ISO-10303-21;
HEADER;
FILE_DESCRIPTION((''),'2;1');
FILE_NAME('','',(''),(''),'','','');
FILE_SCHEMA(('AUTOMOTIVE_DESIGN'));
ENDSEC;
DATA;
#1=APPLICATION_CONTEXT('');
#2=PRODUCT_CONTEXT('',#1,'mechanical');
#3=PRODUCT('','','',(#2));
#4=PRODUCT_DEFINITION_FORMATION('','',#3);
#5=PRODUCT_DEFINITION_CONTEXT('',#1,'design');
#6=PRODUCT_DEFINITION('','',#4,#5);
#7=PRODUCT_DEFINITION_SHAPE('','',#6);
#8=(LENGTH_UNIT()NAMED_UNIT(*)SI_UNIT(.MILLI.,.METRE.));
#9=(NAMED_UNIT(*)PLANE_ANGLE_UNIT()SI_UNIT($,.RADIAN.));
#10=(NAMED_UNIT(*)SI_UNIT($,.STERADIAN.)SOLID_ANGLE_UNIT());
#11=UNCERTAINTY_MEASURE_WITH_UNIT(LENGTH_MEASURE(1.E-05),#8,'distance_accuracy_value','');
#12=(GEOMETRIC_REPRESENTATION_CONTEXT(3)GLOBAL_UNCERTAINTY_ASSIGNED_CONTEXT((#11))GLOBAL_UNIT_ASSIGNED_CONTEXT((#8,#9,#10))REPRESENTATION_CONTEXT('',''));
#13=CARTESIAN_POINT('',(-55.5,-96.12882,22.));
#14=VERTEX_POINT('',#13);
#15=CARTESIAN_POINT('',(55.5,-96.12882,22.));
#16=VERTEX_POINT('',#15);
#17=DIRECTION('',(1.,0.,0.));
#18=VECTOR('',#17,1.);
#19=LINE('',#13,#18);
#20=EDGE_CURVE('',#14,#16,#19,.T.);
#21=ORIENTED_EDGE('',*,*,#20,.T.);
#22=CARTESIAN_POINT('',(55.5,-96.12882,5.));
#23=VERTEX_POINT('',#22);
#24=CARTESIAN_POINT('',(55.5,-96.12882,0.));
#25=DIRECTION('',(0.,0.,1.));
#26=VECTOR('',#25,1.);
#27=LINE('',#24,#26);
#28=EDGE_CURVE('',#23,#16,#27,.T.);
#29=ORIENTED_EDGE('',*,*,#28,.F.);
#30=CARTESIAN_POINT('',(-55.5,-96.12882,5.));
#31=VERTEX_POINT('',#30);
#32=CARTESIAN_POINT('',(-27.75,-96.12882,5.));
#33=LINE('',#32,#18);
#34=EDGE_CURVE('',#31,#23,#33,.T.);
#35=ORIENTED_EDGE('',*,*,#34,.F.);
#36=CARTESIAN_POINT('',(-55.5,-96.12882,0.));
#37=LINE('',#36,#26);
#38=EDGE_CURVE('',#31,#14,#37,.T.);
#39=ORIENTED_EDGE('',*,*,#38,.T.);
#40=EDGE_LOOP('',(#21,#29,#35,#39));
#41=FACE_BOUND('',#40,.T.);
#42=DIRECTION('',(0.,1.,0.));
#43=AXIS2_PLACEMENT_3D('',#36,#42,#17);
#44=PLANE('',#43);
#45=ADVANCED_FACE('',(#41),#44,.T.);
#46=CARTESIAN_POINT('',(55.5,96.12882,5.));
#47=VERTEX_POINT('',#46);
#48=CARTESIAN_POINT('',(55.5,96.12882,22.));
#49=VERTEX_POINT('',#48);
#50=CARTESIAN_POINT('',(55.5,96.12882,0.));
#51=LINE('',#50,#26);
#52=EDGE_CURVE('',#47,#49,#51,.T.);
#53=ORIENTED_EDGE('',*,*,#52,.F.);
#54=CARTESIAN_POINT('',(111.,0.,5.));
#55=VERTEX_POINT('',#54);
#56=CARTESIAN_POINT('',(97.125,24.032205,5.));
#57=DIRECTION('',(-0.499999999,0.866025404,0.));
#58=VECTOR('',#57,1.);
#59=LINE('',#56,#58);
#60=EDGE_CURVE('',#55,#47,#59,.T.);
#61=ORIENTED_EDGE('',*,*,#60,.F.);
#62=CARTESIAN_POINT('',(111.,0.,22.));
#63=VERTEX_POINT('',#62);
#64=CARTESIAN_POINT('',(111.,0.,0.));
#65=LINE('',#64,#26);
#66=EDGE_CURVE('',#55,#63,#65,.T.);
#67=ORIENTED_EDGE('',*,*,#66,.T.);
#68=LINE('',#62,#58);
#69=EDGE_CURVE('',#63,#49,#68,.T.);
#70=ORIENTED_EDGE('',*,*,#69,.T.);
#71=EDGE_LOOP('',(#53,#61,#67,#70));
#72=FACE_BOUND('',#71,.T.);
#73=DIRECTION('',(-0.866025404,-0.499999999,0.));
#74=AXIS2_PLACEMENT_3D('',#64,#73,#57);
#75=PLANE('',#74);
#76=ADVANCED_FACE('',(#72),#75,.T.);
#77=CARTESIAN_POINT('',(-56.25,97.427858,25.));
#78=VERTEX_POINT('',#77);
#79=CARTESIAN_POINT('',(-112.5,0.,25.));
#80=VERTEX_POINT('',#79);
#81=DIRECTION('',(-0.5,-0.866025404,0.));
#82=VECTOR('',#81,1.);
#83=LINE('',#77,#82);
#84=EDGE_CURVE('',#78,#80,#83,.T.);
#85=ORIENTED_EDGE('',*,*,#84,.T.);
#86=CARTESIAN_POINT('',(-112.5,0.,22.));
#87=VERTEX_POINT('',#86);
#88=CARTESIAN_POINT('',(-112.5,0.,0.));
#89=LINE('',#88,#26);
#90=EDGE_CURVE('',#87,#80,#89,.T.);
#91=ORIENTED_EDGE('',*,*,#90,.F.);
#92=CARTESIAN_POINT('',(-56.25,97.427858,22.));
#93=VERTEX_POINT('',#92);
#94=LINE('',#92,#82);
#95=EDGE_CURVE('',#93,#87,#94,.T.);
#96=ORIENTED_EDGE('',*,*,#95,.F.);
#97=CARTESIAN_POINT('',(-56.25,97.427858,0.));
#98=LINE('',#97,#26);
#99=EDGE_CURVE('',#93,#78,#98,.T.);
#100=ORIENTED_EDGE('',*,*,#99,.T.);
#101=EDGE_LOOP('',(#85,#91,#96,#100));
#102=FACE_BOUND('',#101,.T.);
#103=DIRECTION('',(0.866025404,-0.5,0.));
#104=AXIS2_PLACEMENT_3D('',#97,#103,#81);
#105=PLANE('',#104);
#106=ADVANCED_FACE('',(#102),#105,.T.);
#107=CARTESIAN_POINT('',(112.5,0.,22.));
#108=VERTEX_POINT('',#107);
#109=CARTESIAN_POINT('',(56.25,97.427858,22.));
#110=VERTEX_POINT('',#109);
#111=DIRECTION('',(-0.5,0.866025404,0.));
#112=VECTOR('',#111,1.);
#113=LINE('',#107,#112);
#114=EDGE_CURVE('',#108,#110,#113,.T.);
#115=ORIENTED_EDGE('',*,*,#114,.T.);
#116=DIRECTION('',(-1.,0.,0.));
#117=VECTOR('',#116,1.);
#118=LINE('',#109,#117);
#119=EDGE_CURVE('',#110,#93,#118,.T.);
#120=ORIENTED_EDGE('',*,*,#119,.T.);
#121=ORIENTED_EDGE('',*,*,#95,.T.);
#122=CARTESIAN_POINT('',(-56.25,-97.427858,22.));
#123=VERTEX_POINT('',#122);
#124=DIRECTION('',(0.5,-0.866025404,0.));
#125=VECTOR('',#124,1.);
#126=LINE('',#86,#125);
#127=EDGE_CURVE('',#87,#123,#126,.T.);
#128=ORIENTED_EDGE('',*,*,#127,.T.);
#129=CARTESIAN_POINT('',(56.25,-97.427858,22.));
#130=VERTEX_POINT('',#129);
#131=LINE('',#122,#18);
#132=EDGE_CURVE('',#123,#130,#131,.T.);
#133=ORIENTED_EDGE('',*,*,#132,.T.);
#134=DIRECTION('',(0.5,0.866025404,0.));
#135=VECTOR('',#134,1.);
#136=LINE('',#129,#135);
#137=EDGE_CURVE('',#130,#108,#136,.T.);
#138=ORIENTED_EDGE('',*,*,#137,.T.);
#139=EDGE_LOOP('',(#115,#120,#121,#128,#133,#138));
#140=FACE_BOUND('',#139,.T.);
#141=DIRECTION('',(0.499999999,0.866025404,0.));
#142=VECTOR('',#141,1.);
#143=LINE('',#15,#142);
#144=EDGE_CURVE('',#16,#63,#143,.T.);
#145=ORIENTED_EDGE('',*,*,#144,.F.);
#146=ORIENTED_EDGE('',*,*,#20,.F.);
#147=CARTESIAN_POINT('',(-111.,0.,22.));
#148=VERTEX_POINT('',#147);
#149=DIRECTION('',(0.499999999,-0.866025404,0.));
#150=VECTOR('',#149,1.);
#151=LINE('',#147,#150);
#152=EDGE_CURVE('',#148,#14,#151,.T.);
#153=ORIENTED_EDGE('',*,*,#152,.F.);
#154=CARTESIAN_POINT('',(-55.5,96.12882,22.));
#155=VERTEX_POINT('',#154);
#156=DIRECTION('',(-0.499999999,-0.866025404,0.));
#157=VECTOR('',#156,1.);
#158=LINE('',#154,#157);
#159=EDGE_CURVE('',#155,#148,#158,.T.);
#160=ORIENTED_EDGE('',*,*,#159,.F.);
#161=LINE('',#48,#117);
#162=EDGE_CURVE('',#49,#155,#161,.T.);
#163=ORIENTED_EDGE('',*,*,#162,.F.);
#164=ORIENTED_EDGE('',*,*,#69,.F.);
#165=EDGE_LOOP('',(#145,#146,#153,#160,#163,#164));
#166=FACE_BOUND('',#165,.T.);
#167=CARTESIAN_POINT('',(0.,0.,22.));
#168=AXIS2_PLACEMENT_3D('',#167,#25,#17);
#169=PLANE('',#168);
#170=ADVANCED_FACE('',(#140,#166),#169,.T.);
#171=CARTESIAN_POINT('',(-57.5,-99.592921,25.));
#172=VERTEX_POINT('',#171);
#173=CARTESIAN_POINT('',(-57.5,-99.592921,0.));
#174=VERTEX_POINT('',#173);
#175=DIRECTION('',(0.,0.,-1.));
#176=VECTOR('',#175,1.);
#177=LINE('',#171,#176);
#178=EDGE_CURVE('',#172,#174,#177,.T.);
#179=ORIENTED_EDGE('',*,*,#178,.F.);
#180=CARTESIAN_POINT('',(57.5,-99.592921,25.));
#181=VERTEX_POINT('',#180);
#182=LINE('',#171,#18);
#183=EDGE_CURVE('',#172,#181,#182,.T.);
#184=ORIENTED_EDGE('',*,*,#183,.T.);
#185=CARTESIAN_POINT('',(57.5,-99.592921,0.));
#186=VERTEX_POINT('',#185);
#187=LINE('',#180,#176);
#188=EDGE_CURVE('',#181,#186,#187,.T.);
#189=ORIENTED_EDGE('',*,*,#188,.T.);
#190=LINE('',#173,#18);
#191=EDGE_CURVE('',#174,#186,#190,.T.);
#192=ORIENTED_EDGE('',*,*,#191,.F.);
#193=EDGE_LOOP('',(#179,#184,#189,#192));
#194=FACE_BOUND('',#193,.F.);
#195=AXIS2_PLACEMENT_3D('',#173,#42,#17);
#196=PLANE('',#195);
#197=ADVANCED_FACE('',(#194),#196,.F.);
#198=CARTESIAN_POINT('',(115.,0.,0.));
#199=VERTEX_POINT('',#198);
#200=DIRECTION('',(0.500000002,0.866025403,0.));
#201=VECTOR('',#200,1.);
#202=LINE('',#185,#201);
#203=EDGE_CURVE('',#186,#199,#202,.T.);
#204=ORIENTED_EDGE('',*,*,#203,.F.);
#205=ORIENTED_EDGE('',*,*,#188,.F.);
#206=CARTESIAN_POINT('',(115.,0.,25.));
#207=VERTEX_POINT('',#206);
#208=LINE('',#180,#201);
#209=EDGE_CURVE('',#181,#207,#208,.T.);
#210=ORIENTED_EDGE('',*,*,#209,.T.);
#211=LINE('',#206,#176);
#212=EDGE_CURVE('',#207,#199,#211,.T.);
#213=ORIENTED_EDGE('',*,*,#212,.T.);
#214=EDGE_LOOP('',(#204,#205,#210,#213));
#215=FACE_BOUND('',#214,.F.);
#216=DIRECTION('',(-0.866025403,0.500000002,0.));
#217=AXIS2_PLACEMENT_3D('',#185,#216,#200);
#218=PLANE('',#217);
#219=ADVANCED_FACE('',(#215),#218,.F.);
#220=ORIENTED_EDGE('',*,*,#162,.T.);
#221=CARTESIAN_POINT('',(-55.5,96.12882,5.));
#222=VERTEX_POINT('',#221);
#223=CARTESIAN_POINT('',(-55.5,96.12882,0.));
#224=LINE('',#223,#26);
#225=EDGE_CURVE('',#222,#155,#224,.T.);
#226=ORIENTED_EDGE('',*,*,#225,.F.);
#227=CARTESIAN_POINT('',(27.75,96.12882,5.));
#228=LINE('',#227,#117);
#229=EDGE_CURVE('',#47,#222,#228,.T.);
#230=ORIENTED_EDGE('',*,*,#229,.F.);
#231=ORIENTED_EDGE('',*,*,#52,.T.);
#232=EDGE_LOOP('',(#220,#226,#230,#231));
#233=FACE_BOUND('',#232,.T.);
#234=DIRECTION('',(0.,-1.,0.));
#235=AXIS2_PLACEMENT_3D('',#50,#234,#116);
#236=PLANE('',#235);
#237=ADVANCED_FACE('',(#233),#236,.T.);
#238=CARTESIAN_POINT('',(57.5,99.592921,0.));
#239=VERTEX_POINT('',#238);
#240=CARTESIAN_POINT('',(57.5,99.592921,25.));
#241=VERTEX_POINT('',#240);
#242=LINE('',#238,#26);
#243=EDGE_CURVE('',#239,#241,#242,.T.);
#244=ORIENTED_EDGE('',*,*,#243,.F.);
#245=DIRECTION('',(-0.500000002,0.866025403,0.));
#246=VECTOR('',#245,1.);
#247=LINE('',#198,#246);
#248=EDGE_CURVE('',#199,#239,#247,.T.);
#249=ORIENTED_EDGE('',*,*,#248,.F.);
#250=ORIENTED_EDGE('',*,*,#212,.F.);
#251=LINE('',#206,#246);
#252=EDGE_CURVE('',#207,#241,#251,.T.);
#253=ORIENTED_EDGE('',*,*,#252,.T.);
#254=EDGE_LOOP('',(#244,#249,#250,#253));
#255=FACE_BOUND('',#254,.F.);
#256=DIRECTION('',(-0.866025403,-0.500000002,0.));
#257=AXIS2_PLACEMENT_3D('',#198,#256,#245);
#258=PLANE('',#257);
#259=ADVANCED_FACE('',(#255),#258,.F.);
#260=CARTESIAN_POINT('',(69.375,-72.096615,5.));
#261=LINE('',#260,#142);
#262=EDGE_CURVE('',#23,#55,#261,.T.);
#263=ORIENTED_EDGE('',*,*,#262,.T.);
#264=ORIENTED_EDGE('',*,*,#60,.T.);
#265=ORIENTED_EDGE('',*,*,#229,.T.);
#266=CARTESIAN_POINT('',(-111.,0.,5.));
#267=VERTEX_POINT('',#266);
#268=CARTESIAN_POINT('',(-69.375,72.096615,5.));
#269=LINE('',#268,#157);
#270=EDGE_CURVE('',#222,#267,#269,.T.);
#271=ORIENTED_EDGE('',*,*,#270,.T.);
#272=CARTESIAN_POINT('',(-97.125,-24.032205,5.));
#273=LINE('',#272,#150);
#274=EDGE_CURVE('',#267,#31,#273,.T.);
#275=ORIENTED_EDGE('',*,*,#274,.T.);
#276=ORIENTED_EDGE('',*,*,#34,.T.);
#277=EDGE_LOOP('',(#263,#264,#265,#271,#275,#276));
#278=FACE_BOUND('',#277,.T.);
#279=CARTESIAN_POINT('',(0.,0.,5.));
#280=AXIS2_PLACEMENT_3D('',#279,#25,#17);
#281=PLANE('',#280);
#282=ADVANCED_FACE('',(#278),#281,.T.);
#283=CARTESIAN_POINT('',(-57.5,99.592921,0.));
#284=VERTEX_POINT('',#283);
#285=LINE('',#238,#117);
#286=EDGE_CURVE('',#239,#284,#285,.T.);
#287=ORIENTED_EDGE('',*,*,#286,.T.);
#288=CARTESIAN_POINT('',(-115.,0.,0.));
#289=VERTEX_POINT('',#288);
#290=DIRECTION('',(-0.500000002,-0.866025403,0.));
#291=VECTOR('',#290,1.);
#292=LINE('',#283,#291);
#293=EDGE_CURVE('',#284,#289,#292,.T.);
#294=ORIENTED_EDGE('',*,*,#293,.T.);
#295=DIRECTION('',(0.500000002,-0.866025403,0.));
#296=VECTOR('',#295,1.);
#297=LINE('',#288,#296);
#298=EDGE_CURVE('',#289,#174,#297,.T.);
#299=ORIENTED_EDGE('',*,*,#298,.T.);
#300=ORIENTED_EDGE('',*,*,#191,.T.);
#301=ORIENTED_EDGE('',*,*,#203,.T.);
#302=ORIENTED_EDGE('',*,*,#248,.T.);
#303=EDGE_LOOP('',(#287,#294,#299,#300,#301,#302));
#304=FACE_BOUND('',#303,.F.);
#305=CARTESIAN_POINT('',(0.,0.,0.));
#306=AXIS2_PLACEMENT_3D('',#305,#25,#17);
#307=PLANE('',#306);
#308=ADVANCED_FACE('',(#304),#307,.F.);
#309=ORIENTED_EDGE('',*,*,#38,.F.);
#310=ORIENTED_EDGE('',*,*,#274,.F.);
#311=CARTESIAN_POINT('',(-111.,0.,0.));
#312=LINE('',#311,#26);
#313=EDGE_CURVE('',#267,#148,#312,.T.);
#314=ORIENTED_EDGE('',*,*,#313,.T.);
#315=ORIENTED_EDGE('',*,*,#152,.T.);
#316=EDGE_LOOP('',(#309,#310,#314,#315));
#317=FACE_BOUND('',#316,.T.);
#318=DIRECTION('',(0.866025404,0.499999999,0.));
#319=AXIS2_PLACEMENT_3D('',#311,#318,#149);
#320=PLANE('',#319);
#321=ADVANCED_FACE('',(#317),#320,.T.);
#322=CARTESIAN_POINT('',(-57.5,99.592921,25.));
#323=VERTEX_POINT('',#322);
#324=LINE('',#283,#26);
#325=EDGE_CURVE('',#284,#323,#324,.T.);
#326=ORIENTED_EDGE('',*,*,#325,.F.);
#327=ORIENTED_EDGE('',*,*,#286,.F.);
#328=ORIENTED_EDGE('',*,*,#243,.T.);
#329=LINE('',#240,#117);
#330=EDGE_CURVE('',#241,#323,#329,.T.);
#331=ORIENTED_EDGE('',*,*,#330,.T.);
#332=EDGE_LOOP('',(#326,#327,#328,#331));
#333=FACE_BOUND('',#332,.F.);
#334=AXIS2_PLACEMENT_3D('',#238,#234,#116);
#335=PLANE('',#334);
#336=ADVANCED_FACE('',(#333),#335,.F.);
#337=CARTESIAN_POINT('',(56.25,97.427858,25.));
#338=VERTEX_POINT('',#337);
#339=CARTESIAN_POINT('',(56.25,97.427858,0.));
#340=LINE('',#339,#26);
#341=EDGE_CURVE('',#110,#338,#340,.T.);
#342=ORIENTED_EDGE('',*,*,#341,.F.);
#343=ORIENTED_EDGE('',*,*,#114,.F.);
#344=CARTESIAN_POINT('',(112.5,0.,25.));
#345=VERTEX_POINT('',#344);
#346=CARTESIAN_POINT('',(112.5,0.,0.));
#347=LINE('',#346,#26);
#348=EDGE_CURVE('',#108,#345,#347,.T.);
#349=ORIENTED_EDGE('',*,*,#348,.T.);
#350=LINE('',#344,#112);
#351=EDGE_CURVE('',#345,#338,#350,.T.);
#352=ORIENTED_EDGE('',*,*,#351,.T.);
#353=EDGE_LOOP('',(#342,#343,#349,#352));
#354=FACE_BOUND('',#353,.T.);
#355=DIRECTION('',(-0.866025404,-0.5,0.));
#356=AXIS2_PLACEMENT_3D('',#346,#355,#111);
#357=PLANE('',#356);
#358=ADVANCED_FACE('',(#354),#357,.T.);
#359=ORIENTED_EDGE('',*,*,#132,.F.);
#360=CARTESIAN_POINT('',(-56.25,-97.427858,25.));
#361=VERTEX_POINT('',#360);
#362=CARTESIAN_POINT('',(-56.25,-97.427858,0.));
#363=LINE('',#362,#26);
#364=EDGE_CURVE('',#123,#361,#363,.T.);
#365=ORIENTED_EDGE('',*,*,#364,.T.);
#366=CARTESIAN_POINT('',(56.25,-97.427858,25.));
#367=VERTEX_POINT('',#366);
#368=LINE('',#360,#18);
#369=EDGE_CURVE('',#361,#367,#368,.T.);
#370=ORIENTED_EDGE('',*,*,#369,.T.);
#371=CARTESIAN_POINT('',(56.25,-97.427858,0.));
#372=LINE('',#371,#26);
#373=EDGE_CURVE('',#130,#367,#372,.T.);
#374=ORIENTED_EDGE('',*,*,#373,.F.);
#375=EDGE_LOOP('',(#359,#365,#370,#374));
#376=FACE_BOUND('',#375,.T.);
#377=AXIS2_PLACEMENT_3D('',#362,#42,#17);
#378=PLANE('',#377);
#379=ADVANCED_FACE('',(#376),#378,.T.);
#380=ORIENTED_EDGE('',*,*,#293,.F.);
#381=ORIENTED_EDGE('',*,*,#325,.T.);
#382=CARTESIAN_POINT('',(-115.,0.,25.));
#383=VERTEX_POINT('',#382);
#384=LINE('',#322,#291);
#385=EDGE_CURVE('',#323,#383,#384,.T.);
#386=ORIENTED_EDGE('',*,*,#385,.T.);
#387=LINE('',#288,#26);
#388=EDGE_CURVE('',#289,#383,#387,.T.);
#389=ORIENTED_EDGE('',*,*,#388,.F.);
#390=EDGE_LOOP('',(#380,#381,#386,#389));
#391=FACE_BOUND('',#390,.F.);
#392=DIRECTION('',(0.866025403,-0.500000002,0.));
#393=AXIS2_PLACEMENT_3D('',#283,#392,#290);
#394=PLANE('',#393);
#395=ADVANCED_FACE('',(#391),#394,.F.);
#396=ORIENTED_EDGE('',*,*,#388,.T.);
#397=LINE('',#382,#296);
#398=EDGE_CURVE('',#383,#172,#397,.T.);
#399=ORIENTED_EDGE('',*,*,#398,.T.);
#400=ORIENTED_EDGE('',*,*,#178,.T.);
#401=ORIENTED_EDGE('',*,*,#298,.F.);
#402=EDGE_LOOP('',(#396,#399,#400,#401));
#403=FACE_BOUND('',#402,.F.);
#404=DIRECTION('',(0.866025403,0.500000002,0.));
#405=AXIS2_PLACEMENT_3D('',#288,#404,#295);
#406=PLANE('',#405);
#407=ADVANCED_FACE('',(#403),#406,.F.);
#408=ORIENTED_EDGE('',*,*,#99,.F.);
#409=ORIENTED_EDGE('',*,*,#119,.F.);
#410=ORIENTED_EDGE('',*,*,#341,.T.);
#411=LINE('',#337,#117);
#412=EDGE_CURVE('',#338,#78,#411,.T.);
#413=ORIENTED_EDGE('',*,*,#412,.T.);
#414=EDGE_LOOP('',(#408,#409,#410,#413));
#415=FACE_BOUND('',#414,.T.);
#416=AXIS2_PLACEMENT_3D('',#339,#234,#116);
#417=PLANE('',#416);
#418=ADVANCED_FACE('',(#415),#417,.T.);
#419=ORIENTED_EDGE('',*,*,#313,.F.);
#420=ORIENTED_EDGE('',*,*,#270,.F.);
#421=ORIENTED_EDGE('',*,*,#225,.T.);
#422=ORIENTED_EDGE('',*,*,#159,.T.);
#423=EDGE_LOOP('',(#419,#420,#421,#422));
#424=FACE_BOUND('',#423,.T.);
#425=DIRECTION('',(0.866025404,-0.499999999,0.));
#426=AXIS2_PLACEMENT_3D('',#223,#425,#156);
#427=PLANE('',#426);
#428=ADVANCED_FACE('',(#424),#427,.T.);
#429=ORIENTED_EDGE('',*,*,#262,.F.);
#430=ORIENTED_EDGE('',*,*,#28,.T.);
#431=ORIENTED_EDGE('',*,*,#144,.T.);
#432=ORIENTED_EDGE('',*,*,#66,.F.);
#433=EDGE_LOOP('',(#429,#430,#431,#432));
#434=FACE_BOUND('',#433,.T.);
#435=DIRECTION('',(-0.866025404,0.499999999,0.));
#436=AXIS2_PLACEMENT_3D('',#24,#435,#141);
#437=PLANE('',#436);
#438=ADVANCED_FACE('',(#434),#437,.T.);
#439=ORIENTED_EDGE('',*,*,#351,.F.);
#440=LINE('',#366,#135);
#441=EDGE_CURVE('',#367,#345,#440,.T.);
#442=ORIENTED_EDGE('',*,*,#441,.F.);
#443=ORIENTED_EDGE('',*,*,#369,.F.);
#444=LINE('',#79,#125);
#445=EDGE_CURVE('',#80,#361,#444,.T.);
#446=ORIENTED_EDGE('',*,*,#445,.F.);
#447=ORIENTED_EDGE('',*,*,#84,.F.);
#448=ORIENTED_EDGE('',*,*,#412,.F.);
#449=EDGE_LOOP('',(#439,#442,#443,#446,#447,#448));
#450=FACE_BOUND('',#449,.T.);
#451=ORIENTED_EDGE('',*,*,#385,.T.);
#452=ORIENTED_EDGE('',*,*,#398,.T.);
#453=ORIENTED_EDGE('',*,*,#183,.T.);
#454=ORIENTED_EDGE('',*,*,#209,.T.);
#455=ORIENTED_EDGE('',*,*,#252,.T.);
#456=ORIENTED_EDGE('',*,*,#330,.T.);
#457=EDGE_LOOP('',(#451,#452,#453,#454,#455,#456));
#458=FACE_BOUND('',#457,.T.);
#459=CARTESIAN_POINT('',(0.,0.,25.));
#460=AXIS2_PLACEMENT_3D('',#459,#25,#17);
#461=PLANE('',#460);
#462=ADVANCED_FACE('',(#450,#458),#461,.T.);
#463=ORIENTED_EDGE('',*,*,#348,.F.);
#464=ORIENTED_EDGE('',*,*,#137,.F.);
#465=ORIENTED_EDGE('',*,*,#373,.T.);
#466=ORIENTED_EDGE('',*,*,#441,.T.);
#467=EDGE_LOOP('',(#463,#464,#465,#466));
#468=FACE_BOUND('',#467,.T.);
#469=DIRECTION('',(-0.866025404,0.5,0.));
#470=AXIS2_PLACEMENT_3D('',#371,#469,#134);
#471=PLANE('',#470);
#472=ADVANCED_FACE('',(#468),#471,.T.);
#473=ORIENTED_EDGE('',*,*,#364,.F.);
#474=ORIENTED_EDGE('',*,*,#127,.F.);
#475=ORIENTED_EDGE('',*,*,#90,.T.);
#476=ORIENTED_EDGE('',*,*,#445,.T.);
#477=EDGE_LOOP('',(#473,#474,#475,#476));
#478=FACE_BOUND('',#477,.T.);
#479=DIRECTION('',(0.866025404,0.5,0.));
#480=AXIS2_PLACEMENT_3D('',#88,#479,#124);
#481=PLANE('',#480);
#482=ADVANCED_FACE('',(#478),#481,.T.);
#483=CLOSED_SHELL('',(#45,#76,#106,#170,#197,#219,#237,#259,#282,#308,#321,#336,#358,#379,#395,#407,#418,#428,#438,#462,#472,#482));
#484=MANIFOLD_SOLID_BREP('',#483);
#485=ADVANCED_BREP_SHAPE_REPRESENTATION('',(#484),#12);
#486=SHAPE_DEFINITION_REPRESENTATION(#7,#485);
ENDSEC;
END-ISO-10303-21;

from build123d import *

# Parameters (mm, degrees)
EXTRUDE_DEPTH    = 5
EXTRUDE001_DEPTH = 25
EXTRUDE002_DEPTH = 22


with BuildPart() as extrude_body:
    # Sketch → Extrude (new body)
    with BuildSketch(Plane.XY):
        Polygon((115, 0), (57.5, 99.592921), (-57.5, 99.592921), (-115, 0), (-57.5, -99.592921), (57.5, -99.592921), align=None)
    extrude(amount=EXTRUDE_DEPTH)


with BuildPart() as extrude001:
    # Sketch001 (on Sketch) → Extrude001 (new body)
    with BuildSketch(Plane.XY):
        Polygon((115, 0), (57.5, 99.592921), (-57.5, 99.592921), (-115, 0), (-57.5, -99.592921), (57.5, -99.592921), align=None)
        Polygon((112.5, 0), (56.25, 97.427858), (-56.25, 97.427858), (-112.5, 0), (-56.25, -97.427858), (56.25, -97.427858), align=None, mode=Mode.SUBTRACT)
    extrude(amount=EXTRUDE001_DEPTH)


with BuildPart() as fusion:
    # Sketch002 (on Sketch) → Extrude002 (new body)
    with BuildSketch(Plane.XY):
        Polygon((112.5, 0), (56.25, 97.427858), (-56.25, 97.427858), (-112.5, 0), (-56.25, -97.427858), (56.25, -97.427858), align=None)
        Polygon((111, 0), (55.5, 96.12882), (-55.5, 96.12882), (-111, 0), (-55.5, -96.12882), (55.5, -96.12882), align=None, mode=Mode.SUBTRACT)
    extrude(amount=EXTRUDE002_DEPTH)

    # Fusion: union Extrude body, Extrude001
    add(extrude_body.part)
    add(extrude001.part)


solid = fusion.part
